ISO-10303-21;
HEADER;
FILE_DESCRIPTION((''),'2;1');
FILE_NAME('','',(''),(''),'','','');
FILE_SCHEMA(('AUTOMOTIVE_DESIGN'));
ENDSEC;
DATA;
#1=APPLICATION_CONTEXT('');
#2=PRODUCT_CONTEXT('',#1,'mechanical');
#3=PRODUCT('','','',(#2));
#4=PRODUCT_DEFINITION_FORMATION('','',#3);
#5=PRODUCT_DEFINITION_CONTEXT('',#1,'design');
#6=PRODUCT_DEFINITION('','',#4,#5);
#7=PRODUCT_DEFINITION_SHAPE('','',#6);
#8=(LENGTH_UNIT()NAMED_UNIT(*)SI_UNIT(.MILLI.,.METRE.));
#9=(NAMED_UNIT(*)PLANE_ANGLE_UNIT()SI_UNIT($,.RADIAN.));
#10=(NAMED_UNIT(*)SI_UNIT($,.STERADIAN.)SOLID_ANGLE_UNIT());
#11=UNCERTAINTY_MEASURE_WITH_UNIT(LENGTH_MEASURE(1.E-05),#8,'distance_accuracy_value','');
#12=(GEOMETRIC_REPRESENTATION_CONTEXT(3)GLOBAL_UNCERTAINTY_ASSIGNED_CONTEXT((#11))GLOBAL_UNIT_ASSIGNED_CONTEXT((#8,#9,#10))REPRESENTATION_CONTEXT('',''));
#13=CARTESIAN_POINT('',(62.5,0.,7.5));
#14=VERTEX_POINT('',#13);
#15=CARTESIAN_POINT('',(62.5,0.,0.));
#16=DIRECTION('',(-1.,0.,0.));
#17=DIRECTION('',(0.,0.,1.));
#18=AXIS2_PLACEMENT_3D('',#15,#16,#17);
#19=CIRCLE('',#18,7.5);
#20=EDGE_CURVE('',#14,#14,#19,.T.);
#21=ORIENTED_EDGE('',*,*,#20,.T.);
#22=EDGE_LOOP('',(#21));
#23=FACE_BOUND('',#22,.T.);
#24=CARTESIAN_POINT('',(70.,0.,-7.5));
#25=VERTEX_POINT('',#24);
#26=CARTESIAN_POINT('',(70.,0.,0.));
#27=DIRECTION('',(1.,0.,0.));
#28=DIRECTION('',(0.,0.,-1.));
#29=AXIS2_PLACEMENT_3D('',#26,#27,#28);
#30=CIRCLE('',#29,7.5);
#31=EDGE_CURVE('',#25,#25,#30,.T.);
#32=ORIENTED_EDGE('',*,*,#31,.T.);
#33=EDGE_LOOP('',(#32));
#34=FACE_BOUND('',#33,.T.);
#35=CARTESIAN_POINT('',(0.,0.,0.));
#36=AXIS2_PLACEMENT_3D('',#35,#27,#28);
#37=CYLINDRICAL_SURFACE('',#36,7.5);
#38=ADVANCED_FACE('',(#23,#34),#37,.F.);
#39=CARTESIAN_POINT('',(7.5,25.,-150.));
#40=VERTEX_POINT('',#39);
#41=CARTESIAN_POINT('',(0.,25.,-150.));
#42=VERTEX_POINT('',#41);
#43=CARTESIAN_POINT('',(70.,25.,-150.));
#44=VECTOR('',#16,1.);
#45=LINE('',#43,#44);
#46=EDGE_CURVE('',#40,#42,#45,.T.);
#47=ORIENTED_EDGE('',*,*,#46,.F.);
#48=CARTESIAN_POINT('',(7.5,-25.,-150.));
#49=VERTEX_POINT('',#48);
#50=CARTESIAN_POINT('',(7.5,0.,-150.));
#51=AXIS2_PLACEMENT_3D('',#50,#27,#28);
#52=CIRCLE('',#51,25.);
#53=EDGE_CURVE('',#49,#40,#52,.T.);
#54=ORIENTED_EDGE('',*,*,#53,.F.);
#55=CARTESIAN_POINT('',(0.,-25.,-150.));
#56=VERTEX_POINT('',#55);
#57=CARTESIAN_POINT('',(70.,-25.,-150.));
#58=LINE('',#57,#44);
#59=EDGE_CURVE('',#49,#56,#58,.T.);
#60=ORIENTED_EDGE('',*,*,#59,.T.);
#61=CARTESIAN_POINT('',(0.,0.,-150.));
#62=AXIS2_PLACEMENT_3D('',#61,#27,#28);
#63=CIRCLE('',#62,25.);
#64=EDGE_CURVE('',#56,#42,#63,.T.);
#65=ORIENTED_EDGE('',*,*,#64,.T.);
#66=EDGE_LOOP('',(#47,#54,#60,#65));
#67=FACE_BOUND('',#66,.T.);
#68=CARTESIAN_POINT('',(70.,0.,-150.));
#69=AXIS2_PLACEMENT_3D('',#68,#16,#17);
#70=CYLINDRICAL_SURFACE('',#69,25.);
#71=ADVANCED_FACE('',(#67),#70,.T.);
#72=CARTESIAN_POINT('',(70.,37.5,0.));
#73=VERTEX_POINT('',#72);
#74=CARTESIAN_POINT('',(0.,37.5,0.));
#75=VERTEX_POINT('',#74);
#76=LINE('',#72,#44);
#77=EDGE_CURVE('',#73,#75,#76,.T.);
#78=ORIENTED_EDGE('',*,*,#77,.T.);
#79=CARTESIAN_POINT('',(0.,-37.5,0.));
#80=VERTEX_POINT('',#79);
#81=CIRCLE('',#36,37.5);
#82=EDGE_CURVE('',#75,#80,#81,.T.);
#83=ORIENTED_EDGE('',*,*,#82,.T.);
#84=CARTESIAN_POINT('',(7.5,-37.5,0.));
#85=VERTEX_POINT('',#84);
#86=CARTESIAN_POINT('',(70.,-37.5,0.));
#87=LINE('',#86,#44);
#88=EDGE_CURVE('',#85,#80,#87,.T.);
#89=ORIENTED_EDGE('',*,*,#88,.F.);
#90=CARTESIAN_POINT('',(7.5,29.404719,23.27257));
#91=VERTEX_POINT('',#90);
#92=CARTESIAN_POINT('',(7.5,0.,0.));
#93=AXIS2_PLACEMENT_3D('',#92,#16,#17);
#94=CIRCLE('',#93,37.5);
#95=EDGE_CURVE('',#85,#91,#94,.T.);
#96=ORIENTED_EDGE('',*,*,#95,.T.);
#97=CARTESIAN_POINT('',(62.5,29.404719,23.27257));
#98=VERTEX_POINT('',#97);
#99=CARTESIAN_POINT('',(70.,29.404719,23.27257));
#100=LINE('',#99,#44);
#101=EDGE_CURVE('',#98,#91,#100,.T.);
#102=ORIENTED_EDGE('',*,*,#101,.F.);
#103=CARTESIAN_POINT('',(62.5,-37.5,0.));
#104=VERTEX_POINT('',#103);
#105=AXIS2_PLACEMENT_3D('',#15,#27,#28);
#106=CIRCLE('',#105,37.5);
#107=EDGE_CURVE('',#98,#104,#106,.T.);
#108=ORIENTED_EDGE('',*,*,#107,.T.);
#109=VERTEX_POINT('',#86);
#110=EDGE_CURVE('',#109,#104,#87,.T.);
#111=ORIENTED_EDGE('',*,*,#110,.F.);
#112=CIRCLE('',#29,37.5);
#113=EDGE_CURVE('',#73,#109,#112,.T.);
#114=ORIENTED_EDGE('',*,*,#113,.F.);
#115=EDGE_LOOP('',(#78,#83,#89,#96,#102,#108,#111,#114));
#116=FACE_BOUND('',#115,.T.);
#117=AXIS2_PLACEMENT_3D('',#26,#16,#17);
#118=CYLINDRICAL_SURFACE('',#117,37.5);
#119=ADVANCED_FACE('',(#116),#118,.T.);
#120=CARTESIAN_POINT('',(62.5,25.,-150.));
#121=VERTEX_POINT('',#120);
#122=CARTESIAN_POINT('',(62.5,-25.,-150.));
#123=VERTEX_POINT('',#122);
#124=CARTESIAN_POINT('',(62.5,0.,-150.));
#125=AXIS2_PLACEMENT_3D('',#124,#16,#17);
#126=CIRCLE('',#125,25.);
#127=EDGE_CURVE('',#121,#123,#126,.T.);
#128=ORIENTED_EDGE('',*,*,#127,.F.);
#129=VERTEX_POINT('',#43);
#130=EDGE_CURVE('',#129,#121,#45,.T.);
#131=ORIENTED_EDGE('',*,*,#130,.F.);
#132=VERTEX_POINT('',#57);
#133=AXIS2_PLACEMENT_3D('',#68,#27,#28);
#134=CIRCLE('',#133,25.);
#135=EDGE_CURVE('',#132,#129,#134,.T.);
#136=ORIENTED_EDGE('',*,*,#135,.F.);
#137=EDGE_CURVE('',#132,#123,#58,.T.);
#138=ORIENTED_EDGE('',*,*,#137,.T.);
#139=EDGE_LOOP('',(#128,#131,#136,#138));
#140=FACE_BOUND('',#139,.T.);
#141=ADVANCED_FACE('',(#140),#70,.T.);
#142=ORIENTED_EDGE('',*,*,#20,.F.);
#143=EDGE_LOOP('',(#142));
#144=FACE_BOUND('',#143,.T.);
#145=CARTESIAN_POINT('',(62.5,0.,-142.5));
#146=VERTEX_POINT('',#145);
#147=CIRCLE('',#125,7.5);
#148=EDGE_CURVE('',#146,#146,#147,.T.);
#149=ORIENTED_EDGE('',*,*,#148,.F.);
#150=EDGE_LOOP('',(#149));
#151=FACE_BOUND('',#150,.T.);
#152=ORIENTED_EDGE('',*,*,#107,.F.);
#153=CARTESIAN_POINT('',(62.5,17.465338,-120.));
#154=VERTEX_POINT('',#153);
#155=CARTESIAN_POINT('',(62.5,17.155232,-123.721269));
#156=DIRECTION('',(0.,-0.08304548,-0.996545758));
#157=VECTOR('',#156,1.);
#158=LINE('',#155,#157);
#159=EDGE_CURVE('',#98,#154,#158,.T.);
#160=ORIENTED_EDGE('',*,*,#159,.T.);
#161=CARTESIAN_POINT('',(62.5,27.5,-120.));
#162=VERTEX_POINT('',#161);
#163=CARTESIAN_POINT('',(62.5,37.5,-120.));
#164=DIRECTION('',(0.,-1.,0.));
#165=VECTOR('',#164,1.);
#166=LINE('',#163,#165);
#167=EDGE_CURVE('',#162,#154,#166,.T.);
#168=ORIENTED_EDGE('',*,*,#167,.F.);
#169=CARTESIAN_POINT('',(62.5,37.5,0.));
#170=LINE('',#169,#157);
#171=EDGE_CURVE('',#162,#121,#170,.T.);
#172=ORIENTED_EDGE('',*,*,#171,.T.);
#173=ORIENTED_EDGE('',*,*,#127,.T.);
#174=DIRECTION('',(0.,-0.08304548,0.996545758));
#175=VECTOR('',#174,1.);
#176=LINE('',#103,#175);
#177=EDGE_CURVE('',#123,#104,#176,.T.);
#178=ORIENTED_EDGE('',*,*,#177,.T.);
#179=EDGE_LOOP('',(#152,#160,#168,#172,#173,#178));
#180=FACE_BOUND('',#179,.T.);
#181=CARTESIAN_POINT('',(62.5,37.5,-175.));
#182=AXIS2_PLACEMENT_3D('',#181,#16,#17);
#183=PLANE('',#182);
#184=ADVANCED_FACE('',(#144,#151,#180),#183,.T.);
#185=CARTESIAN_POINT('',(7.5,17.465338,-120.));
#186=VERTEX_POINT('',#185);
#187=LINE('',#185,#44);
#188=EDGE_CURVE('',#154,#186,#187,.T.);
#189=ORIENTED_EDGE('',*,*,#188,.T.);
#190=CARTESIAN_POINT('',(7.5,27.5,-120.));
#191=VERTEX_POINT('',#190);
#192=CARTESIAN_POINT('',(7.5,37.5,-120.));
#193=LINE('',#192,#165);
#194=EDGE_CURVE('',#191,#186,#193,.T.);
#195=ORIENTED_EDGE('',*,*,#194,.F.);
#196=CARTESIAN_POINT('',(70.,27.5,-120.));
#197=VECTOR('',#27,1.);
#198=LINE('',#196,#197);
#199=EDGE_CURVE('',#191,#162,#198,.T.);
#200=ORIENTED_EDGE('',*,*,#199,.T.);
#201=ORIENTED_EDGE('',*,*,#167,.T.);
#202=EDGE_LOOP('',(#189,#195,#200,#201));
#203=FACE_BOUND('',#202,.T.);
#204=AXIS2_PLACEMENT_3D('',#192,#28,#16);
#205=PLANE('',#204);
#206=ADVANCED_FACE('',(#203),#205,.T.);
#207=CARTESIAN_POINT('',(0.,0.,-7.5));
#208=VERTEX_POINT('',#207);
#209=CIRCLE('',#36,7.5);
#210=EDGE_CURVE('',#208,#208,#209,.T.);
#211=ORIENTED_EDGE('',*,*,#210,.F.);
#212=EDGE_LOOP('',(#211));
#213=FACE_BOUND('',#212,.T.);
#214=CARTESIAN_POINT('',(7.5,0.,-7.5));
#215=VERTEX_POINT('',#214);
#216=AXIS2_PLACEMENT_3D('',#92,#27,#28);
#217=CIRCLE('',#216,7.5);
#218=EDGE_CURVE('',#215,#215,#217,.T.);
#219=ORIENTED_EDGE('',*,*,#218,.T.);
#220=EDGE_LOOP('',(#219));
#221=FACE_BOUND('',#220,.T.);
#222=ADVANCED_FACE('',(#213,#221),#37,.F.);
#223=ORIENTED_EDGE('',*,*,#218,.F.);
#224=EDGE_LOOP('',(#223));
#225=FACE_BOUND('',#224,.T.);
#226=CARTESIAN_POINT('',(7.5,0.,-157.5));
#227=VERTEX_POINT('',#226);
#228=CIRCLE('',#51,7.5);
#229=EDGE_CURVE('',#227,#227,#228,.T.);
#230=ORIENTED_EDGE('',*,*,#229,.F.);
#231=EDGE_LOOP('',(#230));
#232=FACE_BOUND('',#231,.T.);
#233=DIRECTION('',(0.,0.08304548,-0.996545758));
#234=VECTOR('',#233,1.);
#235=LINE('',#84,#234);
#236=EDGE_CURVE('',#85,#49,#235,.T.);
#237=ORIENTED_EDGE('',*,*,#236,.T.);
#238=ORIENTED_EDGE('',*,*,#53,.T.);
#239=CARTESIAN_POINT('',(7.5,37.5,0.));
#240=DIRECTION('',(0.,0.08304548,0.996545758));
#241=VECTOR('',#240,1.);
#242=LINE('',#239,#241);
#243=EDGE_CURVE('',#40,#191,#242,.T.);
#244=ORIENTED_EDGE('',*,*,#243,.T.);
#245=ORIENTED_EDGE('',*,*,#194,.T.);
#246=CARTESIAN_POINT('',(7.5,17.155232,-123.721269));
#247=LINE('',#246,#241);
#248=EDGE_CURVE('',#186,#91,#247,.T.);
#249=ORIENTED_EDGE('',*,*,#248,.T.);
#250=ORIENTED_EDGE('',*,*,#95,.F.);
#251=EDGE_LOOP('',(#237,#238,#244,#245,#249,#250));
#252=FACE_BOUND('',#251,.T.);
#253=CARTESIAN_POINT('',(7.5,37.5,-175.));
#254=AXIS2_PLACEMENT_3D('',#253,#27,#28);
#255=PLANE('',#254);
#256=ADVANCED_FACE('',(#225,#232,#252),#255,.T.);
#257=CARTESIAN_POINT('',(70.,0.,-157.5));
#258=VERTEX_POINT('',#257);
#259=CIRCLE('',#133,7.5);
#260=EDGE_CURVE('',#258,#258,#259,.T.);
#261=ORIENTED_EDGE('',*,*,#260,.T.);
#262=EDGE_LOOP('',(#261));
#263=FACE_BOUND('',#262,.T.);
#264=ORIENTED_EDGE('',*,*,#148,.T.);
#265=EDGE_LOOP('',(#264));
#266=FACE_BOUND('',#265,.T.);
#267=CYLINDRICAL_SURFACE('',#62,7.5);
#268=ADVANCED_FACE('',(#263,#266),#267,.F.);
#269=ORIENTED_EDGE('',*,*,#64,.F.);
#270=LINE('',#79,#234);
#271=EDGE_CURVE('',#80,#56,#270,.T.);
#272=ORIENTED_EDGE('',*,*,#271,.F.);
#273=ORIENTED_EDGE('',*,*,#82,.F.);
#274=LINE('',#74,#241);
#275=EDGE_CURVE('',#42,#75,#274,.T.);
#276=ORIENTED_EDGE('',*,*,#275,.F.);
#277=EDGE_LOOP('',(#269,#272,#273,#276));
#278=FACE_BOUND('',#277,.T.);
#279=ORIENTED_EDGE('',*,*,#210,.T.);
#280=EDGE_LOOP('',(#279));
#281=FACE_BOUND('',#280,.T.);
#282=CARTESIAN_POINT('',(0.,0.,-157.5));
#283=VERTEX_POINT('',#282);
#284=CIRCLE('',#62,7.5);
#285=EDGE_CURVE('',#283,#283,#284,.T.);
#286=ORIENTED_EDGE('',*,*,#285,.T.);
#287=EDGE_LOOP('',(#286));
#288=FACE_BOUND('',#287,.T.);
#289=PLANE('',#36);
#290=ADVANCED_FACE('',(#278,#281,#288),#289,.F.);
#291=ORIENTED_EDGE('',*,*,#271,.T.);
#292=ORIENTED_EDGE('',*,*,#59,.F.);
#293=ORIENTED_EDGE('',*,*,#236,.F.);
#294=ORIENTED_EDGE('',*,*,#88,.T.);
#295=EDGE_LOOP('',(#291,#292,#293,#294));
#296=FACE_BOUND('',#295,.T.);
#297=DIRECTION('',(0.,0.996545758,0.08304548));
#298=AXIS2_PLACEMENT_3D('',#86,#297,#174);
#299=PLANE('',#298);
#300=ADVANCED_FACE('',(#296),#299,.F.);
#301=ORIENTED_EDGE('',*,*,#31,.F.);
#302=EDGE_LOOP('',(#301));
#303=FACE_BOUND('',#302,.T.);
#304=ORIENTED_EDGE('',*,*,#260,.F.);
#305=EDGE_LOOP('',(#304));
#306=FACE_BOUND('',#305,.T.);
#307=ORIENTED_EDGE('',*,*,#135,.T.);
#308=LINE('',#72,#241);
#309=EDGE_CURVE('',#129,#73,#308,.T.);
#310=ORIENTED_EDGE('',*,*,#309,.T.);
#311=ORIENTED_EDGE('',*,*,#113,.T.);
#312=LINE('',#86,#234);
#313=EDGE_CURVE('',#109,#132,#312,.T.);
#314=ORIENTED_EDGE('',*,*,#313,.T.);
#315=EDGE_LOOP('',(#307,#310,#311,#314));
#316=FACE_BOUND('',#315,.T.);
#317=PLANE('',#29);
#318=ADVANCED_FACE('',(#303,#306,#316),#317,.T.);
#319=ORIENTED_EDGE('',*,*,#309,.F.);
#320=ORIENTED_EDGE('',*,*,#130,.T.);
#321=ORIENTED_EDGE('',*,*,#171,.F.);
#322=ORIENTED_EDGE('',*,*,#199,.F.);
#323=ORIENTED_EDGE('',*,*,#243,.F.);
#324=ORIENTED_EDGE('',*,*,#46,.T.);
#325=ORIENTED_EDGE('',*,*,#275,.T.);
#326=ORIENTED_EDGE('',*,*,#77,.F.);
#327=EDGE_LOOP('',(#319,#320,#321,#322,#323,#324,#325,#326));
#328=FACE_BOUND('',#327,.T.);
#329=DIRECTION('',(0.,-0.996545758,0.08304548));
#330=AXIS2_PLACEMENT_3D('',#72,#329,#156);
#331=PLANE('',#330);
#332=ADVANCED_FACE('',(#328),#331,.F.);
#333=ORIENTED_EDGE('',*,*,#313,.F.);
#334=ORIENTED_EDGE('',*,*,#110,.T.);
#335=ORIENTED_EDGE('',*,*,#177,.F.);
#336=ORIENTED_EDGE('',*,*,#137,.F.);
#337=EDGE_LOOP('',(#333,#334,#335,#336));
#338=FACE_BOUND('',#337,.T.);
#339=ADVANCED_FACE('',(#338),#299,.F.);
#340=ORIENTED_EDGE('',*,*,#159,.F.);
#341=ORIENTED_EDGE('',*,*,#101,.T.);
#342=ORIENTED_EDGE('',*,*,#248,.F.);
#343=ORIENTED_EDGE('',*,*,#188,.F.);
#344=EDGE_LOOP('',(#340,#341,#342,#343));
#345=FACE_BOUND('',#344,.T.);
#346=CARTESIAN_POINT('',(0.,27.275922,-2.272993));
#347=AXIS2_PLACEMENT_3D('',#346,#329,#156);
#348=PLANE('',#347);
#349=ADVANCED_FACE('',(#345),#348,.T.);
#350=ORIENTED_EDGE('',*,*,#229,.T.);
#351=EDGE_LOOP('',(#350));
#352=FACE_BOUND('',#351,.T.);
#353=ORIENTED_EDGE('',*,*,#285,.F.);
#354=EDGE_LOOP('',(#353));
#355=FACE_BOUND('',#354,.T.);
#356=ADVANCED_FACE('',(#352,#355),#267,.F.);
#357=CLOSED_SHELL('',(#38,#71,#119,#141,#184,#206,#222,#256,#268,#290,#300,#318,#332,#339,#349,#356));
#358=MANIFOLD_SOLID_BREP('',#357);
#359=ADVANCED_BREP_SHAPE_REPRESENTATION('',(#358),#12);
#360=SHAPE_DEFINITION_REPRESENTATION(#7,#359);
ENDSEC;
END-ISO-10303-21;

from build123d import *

# Parameters (mm, degrees)
BOSS_EXTRUDE1_DEPTH     = 70
CUT_EXTRUDE1_DEPTH      = 193.17505041
CUT_EXTRUDE1_DEPTH_BACK = 193.17505041
SKETCH2_W               = 55
SKETCH2_H               = 55
CUT_EXTRUDE2_REACH      = 212.087
CUT_EXTRUDE2_START      = -10
SKETCH4_W               = 55
SKETCH4_H               = 159.369241685
SKETCH7_R               = 7.5
CUT_EXTRUDE4_DEPTH      = 193.17505041
SKETCH8_R               = 7.5
CUT_EXTRUDE5_DEPTH      = 193.17505041


with BuildPart() as part:
    # Sketch1 → Boss-Extrude1 (new body)
    with BuildSketch(Plane(origin=(0, 0, 0), x_dir=(0, 0, -1), z_dir=(1, 0, 0))):
        with BuildLine():
            Line((0, 37.5), (150, 25))
            ThreePointArc((150, 25), (175, 0), (150, -25))
            Line((150, -25), (0, -37.5))
            ThreePointArc((0, -37.5), (-37.5, 0), (0, 37.5))
        make_face()
    extrude(amount=BOSS_EXTRUDE1_DEPTH)

    # Sketch2 → Cut-Extrude1 (cut, two sides: drawn at the far end of the back side and taken through both)
    with BuildSketch(Plane(origin=(0, 0, 0), x_dir=(1, 0, 0), z_dir=(0, 1, 0)).offset(-CUT_EXTRUDE1_DEPTH_BACK)):
        with Locations((35, 147.5)):
            Rectangle(SKETCH2_W, SKETCH2_H)
    extrude(amount=CUT_EXTRUDE1_DEPTH + CUT_EXTRUDE1_DEPTH_BACK, mode=Mode.SUBTRACT)

    # Cut-Extrude2: up to this face of the body (flat: up to its plane)
    cut_extrude2_end = Plane(part.part.faces().sort_by_distance((35, -32.18220339, -63.813559322))[0])
    # Sketch4 → Cut-Extrude2 (cut, up to the picked face)
    with BuildSketch(Plane(origin=(0, 37.24137931, -3.103448276), x_dir=(1, 0, 0), z_dir=(0, 0.9965457582448797, -0.08304547985374003)).offset(CUT_EXTRUDE2_START), mode=Mode.PRIVATE) as cut_extrude2_sk1:
        with Locations((35, 42.184620843)):
            Rectangle(SKETCH4_W, SKETCH4_H)
    cut_extrude2_tool1 = split(extrude(cut_extrude2_sk1.sketch, amount=-CUT_EXTRUDE2_REACH, mode=Mode.PRIVATE), bisect_by=cut_extrude2_end, keep=Keep.BOTH, mode=Mode.PRIVATE)
    add(cut_extrude2_tool1.solids().sort_by(Axis((35, 23.77268, -44.311898), (0, -0.9965457582448797, 0.08304547985374003)))[0], mode=Mode.SUBTRACT)

    # Sketch7 → Cut-Extrude4 (cut, through all)
    with BuildSketch(Plane(origin=(70, 0, 0), x_dir=(0, 0, -1), z_dir=(1, 0, 0))):
        Circle(SKETCH7_R)
    extrude(amount=-CUT_EXTRUDE4_DEPTH, mode=Mode.SUBTRACT)

    # Sketch8 → Cut-Extrude5 (cut, through all)
    with BuildSketch(Plane(origin=(70, 0, 0), x_dir=(0, 0, -1), z_dir=(1, 0, 0))):
        with Locations((150, 0)):
            Circle(SKETCH8_R)
    extrude(amount=-CUT_EXTRUDE5_DEPTH, mode=Mode.SUBTRACT)


solid = part.part
